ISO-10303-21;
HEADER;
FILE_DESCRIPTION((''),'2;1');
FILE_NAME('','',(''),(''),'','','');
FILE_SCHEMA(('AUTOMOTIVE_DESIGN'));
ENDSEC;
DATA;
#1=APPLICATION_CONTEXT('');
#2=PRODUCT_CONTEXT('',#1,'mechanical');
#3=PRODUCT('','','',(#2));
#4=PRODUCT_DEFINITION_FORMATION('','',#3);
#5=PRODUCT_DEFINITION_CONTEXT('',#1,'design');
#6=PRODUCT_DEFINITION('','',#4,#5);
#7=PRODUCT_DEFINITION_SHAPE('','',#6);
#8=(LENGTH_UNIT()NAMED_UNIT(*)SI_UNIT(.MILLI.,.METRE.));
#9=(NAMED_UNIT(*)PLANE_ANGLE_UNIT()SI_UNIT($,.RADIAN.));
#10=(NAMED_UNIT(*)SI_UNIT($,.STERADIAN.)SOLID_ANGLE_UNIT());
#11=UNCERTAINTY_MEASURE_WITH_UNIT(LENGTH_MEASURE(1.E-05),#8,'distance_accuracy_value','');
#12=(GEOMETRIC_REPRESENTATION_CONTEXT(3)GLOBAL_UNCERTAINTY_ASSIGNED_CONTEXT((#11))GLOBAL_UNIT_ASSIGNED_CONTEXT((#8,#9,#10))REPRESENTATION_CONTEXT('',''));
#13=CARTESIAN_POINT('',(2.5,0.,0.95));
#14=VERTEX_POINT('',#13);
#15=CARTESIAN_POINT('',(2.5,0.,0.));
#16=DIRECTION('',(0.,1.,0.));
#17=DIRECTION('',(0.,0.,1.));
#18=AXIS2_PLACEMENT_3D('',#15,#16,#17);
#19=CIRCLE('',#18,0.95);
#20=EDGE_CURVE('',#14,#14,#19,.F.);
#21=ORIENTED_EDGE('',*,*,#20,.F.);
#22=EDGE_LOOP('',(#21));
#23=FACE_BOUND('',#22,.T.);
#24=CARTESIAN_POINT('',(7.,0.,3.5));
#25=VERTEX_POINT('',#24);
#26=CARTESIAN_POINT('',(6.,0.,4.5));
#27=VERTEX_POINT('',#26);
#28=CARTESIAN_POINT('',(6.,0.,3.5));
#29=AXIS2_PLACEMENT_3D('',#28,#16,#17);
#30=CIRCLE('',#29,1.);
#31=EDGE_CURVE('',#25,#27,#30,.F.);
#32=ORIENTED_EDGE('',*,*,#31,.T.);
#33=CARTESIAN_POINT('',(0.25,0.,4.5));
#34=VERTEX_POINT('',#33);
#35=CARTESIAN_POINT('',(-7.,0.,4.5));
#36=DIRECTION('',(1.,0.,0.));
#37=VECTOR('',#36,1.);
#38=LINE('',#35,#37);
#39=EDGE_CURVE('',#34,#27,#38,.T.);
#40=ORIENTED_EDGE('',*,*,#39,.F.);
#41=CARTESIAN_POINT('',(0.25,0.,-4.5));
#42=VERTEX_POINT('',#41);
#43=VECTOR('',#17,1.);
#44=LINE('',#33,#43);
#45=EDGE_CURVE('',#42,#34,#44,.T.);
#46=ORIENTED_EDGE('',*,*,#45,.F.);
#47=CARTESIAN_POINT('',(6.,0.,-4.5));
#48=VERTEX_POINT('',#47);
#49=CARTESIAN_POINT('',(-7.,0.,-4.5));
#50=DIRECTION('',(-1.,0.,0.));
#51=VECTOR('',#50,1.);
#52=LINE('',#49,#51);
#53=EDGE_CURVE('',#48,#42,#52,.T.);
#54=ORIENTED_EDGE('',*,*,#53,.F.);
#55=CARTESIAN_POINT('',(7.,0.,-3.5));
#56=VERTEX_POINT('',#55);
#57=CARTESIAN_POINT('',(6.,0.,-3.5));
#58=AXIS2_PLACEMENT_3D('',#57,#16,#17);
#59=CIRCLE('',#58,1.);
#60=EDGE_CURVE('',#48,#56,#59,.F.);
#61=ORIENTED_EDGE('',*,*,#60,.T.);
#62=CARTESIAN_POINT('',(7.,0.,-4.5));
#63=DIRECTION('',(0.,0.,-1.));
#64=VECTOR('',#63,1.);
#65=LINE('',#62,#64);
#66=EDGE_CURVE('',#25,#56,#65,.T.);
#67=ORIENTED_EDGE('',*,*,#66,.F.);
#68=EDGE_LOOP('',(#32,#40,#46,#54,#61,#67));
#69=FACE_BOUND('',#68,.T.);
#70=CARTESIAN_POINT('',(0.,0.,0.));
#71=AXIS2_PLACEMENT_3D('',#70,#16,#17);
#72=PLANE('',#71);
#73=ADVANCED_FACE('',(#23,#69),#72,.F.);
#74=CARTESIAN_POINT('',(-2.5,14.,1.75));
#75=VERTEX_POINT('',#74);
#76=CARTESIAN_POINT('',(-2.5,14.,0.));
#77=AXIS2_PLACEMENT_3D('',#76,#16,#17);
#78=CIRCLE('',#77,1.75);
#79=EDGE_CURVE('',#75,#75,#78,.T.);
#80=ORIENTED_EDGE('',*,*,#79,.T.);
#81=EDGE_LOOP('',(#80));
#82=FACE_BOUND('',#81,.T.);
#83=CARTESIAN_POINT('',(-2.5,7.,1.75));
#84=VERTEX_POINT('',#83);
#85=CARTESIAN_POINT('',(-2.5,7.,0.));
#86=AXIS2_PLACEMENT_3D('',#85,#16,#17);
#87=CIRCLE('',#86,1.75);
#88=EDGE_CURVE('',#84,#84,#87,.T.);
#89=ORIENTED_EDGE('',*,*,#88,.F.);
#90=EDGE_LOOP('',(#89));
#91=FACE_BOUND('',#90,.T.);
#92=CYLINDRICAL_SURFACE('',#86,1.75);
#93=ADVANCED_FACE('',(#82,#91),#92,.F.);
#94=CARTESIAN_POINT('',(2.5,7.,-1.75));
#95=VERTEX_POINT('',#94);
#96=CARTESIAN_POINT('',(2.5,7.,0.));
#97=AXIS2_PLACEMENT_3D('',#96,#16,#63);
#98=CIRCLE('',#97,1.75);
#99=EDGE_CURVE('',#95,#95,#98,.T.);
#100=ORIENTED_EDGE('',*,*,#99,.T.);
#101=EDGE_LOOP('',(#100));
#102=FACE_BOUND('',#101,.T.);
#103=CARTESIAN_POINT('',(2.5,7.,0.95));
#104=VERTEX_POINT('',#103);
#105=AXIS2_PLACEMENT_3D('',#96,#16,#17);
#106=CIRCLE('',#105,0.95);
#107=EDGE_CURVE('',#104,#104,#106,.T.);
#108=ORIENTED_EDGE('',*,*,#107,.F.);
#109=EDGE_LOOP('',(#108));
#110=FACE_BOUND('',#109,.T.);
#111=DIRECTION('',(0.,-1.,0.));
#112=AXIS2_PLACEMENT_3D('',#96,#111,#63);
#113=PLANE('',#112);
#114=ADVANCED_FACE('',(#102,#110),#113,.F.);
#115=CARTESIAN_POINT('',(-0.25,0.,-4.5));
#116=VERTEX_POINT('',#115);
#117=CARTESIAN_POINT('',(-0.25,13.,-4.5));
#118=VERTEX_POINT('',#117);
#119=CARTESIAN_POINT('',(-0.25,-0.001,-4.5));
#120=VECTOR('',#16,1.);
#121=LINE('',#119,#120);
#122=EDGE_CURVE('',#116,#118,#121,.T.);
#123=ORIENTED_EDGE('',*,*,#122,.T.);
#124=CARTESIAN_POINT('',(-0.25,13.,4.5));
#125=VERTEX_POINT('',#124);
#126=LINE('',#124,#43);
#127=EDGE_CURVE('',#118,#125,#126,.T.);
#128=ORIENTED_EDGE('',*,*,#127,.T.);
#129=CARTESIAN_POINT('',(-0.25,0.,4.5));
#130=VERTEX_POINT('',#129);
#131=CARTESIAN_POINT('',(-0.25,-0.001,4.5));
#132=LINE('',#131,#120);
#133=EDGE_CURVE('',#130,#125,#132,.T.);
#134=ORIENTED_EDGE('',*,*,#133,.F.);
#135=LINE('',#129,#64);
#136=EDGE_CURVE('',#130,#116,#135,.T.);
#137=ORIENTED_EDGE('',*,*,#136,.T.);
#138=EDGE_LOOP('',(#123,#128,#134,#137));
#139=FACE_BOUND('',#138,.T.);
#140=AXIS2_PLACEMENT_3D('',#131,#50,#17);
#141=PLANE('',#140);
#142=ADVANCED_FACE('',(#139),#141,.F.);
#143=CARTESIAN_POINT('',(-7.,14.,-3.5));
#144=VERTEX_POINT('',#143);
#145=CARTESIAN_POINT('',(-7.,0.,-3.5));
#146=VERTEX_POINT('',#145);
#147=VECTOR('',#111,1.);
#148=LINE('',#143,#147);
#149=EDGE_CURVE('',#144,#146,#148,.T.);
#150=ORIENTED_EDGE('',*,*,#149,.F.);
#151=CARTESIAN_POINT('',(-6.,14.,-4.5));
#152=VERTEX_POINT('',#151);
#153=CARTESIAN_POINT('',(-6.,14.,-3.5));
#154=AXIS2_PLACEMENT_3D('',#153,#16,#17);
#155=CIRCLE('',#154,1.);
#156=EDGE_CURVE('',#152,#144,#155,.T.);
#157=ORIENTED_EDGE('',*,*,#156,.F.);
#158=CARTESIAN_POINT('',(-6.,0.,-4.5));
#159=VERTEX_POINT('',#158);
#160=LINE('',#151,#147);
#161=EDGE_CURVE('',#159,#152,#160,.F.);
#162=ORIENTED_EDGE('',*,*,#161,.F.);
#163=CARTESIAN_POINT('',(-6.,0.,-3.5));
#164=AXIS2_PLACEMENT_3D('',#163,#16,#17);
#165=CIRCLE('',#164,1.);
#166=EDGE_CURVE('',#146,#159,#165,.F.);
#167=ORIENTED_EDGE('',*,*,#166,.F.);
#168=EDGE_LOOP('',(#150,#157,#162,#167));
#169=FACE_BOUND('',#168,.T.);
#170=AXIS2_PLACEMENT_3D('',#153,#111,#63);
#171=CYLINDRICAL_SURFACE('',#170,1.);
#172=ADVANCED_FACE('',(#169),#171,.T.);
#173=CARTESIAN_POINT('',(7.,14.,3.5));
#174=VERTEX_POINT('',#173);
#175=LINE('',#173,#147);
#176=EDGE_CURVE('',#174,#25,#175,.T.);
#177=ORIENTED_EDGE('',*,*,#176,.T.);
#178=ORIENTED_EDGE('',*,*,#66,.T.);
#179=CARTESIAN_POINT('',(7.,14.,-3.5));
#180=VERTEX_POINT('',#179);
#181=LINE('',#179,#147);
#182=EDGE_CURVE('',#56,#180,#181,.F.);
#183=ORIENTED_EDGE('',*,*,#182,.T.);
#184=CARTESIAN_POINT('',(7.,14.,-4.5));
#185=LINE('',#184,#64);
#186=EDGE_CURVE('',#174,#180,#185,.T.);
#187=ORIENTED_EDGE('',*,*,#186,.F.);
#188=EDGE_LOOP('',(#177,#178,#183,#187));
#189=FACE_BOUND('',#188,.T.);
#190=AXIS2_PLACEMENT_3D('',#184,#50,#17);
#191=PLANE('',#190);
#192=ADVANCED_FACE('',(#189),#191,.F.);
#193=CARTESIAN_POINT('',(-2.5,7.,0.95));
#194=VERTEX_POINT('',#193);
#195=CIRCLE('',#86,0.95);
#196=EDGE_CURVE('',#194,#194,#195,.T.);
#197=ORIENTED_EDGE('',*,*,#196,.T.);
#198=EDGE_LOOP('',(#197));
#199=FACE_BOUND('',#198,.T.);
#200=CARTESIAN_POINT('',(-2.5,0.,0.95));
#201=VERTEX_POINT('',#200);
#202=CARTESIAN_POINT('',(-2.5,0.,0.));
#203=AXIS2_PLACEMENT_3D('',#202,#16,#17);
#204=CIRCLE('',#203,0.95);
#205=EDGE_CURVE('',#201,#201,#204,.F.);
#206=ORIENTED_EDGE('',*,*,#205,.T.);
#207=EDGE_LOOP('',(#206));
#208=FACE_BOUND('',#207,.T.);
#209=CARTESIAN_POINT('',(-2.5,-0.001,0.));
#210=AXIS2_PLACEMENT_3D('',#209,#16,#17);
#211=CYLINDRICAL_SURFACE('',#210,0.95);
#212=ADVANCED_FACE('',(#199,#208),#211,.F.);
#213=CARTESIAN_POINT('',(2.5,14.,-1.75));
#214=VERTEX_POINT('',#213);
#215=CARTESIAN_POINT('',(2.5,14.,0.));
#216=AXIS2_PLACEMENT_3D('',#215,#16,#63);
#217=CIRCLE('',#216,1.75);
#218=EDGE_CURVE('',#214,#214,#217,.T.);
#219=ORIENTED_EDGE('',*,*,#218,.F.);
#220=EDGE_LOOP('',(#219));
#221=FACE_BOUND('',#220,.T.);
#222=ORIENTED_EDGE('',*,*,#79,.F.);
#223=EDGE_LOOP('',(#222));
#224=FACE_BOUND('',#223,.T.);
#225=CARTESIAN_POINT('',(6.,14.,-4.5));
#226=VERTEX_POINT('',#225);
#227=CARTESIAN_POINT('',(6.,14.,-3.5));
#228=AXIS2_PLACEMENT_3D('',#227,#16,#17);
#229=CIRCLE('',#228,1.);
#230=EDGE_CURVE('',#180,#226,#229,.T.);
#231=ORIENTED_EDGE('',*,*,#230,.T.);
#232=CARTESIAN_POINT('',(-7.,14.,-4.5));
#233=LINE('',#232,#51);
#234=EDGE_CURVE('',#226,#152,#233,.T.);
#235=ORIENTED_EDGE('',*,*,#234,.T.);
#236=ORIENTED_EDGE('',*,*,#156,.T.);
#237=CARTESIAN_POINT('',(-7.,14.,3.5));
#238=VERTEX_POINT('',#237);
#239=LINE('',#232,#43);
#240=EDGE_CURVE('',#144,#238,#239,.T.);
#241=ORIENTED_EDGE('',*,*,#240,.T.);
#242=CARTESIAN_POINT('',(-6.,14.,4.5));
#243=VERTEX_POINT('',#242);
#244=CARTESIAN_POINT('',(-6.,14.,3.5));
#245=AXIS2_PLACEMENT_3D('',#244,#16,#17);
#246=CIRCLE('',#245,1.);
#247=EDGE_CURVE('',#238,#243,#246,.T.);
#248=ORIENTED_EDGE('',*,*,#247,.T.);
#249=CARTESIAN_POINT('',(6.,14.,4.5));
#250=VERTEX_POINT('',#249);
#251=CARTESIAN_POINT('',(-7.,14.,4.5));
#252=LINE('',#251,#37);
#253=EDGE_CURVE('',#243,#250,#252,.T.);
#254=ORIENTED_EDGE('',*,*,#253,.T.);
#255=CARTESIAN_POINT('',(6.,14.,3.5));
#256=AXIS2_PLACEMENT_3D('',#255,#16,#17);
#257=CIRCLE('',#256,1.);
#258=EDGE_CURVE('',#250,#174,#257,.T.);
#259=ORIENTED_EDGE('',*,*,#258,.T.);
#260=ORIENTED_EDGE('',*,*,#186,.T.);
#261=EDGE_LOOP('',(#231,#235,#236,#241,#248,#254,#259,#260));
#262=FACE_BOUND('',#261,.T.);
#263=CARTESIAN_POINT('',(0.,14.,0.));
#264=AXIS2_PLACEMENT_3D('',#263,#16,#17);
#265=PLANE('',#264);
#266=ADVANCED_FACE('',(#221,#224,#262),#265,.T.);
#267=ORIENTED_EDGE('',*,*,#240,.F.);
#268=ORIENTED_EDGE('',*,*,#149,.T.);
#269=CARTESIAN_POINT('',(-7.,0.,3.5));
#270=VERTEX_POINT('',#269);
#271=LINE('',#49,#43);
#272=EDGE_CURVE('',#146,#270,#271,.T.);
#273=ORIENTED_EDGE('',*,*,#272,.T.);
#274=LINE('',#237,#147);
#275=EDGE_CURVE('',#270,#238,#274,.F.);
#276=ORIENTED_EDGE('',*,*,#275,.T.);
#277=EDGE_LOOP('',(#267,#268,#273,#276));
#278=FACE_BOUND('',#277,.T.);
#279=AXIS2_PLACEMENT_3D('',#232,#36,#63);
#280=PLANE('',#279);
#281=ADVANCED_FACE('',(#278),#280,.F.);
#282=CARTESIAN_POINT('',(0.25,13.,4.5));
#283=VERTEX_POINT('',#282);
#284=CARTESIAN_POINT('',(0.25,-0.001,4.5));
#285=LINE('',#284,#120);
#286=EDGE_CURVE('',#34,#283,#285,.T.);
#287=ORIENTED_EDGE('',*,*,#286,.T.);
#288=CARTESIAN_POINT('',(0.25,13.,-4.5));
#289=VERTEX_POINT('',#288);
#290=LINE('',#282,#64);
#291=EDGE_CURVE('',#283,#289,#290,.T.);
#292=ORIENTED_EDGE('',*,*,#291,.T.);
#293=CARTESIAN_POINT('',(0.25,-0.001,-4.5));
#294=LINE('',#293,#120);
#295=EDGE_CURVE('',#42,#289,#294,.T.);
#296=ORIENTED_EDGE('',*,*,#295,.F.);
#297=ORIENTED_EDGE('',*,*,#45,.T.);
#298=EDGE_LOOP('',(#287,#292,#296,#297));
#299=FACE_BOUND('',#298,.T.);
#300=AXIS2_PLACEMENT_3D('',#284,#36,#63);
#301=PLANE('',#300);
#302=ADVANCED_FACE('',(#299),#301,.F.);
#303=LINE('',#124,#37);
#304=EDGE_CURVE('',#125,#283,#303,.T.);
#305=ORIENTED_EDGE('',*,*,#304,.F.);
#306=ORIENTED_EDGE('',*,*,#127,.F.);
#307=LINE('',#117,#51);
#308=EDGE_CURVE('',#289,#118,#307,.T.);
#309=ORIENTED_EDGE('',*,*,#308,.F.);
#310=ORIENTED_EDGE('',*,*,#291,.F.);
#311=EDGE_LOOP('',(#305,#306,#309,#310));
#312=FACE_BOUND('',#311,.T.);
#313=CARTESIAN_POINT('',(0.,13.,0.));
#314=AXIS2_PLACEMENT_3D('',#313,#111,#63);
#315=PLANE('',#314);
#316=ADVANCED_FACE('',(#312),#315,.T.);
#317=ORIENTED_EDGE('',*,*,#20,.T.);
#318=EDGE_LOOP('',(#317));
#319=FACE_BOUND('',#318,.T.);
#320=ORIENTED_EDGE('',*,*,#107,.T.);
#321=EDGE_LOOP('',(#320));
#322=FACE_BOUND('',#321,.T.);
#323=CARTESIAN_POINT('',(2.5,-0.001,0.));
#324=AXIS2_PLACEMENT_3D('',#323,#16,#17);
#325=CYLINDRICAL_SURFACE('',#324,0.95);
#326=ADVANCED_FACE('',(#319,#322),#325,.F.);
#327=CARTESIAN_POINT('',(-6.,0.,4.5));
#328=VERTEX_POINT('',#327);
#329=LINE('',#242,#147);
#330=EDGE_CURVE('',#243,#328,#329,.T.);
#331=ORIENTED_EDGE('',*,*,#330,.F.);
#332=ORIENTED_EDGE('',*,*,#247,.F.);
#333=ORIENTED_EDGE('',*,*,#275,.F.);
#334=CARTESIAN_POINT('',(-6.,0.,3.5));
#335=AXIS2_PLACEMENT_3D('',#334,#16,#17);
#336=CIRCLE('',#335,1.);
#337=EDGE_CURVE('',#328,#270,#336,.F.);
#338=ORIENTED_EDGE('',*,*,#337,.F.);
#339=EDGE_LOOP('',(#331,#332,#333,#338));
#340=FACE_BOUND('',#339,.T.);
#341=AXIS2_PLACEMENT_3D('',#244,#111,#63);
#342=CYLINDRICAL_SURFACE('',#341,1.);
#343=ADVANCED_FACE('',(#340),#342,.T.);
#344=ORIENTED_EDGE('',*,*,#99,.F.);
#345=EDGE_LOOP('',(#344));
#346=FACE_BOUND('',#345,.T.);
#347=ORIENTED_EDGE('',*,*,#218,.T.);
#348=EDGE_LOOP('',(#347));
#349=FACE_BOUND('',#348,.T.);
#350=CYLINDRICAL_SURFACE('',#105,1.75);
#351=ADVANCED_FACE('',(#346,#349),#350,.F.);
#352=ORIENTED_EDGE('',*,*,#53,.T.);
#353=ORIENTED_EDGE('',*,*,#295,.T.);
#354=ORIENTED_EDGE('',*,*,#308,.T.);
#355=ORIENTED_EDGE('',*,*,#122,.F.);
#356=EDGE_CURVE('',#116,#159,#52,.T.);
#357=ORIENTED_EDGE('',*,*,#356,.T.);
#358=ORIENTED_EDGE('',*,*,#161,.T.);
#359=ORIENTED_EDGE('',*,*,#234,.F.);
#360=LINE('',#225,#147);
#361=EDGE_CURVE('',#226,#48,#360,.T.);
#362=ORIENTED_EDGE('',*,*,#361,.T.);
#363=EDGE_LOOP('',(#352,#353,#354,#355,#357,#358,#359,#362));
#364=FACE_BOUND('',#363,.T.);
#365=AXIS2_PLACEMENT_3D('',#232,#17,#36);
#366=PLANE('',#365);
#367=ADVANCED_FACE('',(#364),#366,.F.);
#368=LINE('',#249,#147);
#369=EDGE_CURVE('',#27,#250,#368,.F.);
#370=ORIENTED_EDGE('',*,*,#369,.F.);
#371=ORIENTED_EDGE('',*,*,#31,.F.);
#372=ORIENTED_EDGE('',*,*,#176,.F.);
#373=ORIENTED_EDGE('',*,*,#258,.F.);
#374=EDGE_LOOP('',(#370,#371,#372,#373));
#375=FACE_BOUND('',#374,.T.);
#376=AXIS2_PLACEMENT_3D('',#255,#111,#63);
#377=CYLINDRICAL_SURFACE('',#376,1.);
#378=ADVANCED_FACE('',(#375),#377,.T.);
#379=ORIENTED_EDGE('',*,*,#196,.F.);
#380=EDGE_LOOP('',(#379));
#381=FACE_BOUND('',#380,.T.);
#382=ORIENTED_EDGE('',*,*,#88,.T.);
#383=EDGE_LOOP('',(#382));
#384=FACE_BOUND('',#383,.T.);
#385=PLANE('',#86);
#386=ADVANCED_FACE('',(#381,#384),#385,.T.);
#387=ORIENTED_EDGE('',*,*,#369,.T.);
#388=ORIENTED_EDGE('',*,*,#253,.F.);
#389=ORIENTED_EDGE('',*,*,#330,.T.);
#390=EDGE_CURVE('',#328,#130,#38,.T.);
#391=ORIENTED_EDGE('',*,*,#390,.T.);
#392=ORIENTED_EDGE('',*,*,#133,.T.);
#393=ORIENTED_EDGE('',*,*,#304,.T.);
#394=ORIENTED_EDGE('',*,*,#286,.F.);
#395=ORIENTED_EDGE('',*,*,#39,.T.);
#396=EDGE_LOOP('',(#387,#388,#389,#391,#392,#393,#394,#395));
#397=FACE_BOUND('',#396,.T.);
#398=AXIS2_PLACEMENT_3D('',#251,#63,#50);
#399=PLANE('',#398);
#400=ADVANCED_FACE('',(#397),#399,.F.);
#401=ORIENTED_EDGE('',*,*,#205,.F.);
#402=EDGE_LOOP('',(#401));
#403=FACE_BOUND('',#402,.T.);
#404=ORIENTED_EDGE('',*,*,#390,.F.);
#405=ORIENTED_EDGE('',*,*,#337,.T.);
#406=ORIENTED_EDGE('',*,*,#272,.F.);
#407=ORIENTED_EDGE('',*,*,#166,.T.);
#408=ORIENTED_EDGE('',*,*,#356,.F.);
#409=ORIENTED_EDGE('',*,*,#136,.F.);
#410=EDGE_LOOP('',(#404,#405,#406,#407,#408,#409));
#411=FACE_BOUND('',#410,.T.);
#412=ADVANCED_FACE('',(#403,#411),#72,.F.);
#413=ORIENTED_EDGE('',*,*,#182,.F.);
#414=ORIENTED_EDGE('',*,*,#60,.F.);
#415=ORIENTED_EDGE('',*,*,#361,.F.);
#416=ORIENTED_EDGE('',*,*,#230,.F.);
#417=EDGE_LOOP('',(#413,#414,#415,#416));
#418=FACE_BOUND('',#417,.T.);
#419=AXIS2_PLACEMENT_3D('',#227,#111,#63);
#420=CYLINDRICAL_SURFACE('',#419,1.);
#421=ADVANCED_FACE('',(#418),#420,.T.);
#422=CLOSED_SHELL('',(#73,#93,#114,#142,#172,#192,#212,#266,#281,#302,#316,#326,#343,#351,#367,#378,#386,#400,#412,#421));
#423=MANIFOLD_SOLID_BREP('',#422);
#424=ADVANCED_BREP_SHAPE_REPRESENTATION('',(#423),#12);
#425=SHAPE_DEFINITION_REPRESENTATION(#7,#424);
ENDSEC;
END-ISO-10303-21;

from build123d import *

# Parameters (mm, degrees)
SKETCH_1_W          = 14
SKETCH_1_H          = 9
EXTRUDE_1_DEPTH     = 14
FILLET_1_R          = 1
SKETCH_3_R          = 1.75
CUT_EXTRUDE_2_DEPTH = 7
CUT_EXTRUDE_3_REACH = 12.874
SKETCH_4_R          = 0.95
CUT_EXTRUDE_START   = -14
SKETCH_6_W          = 0.5
SKETCH_6_H          = 9
CUT_EXTRUDE_4_DEPTH = 13


with BuildPart() as part:
    # 草图1 → 凸台-拉伸1 (new body)
    with BuildSketch(Plane(origin=(0, 0, 0), x_dir=(1, 0, 0), z_dir=(0, 1, 0))):
        Rectangle(SKETCH_1_W, SKETCH_1_H)
    extrude(amount=EXTRUDE_1_DEPTH)

    # 圆角1
    fillet_1_edges = [part.edges().sort_by_distance(p)[0] for p in [
        (7, 7, 4.5),
        (-7, 7, 4.5),
        (-7, 7, -4.5),
        (7, 7, -4.5),
    ]]
    fillet(fillet_1_edges, radius=FILLET_1_R)

    # 草图3 → 切除-拉伸2 (cut)
    with BuildSketch(Plane(origin=(0, 14, 0), x_dir=(1, 0, 0), z_dir=(0, 1, 0))):
        with Locations(Location((-2.5, 0, 0), (0, 0, 270))):
            Circle(SKETCH_3_R)
        with Locations(Location((2.5, 0, 0), (0, 0, 90))):
            Circle(SKETCH_3_R)
    extrude(amount=-CUT_EXTRUDE_2_DEPTH, mode=Mode.SUBTRACT)

    # 草图4 → 切除-拉伸3 (cut, up to next)
    with BuildSketch(Plane(origin=(0, 7, 0), x_dir=(1, 0, 0), z_dir=(0, 1, 0)), mode=Mode.PRIVATE) as cut_extrude_3_sk1:
        with Locations(Location((-2.5, 0, 0), (0, 0, 270))):
            Circle(SKETCH_4_R)
    cut_extrude_3_tool1 = extrude(cut_extrude_3_sk1.sketch, amount=-CUT_EXTRUDE_3_REACH, mode=Mode.PRIVATE) & part.part
    # 草图4 → 切除-拉伸3 (cut, up to next)
    with BuildSketch(Plane(origin=(0, 7, 0), x_dir=(1, 0, 0), z_dir=(0, 1, 0)), mode=Mode.PRIVATE) as cut_extrude_3_sk2:
        with Locations(Location((2.5, 0, 0), (0, 0, 270))):
            Circle(SKETCH_4_R)
    cut_extrude_3_tool2 = extrude(cut_extrude_3_sk2.sketch, amount=-CUT_EXTRUDE_3_REACH, mode=Mode.PRIVATE) & part.part
    add(cut_extrude_3_tool1.solids().sort_by_distance((-2.5, 7, 0))[0], mode=Mode.SUBTRACT)
    add(cut_extrude_3_tool2.solids().sort_by_distance((2.5, 7, 0))[0], mode=Mode.SUBTRACT)

    # 草图6 → 切除-拉伸4 (cut)
    with BuildSketch(Plane(origin=(0, 14, 0), x_dir=(1, 0, 0), z_dir=(0, 1, 0)).offset(CUT_EXTRUDE_START)):
        Rectangle(SKETCH_6_W, SKETCH_6_H)
    extrude(amount=CUT_EXTRUDE_4_DEPTH, mode=Mode.SUBTRACT)


solid = part.part
